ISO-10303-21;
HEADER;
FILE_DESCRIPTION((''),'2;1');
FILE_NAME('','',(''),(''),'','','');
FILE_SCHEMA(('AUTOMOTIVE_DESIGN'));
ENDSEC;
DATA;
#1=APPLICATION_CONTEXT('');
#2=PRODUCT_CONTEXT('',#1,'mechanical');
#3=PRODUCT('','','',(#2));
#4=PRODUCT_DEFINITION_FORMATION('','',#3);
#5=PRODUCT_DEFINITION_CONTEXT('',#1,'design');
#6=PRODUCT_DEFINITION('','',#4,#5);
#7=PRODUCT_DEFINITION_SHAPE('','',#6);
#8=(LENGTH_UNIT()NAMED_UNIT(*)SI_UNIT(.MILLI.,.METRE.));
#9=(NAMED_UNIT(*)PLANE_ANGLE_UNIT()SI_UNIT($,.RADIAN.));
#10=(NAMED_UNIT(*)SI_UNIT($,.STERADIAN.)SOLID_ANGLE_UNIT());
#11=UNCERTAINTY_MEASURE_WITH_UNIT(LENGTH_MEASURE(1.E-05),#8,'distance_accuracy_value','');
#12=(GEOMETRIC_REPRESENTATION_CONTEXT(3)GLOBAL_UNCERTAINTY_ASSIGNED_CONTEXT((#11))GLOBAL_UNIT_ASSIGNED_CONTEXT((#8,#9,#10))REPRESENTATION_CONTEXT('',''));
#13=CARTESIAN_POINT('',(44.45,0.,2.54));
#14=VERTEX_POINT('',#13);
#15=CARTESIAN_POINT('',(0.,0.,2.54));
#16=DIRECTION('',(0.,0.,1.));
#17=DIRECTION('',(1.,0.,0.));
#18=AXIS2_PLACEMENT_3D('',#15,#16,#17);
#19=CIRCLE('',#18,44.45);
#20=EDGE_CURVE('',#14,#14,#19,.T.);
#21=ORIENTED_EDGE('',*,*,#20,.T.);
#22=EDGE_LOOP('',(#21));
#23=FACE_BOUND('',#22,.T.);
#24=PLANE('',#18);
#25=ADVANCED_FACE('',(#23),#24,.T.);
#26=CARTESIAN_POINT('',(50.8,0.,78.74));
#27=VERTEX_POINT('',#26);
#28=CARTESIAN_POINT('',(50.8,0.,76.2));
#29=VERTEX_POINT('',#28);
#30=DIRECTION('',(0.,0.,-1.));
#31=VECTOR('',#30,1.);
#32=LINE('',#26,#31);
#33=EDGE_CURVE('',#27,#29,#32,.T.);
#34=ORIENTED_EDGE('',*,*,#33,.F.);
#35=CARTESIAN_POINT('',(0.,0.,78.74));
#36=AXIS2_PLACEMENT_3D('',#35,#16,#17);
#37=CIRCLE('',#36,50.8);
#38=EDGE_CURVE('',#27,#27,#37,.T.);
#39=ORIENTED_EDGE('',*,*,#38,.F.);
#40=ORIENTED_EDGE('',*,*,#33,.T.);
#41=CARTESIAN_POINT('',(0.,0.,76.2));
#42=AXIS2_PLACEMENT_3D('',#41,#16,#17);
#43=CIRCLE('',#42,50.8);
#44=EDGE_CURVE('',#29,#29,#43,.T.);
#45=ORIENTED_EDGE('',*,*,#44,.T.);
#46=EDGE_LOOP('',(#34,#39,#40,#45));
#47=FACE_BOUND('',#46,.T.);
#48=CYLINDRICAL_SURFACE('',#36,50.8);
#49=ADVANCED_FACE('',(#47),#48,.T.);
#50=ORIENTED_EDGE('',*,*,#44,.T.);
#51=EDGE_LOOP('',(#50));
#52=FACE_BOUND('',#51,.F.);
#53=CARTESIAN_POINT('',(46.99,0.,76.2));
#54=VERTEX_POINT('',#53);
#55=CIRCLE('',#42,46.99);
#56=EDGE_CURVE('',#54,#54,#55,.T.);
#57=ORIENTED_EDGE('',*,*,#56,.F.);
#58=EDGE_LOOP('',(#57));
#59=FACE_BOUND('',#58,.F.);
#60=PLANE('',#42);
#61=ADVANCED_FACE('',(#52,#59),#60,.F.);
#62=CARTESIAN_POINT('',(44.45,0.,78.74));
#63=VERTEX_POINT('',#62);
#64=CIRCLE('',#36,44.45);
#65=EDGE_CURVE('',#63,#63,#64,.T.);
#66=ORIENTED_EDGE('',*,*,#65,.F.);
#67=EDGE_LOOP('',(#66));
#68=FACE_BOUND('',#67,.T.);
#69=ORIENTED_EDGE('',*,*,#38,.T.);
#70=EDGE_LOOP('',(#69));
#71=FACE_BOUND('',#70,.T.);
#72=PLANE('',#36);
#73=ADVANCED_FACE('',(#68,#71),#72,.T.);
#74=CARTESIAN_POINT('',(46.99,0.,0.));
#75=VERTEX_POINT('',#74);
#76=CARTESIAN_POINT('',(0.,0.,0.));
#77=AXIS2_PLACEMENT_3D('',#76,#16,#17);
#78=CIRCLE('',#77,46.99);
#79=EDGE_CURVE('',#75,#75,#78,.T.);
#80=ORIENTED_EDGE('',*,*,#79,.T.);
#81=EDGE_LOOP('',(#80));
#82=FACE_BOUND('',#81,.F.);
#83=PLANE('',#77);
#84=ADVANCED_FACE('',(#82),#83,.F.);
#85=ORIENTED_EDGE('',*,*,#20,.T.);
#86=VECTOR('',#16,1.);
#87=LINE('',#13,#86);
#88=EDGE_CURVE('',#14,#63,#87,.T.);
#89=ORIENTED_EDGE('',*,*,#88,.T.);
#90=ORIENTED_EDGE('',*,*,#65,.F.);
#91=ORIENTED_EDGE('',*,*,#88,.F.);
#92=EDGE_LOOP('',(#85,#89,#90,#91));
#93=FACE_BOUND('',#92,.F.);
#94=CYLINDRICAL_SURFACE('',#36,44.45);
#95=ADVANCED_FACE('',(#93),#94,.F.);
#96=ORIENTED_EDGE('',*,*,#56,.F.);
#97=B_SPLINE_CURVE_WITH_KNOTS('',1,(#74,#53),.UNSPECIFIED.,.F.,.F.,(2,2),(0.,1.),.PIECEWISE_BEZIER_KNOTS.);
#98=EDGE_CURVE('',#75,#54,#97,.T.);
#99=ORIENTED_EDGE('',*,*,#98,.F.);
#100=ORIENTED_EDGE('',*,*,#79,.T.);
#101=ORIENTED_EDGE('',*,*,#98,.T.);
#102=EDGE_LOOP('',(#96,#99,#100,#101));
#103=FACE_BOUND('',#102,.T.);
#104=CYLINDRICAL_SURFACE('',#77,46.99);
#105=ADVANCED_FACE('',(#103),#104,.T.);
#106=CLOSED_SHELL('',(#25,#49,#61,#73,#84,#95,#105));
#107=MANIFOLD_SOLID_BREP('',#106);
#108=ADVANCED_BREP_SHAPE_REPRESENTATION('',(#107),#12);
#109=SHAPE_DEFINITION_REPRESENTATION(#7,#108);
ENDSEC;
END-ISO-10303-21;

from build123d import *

# Parameters (mm, degrees)
F0_R     = 46.99
F2_R     = 46.99
F4_T     = -2.54
F6_R     = 50.8
F6_R_2   = 44.45
F7_DEPTH = 2.54


with BuildPart() as f3:
    # F0 (on Top) → F3 section 0
    with BuildSketch(Plane.XY):
        Circle(F0_R)
    # F2 (on offset) → F3 section 1
    with BuildSketch(Plane.XY.offset(76.2)):
        Circle(F2_R)
    loft()

    # F4
    f4_openings = [f3.faces().sort_by_distance(p)[0] for p in [
        (0, 0, 76.2),
    ]]
    offset(amount=F4_T, openings=f4_openings)

    # F6 (on offset) → F7 (join)
    with BuildSketch(Plane.XY.offset(78.74)):
        Circle(F6_R)
        Circle(F6_R_2, mode=Mode.SUBTRACT)
    extrude(amount=-F7_DEPTH)


solid = f3.part
